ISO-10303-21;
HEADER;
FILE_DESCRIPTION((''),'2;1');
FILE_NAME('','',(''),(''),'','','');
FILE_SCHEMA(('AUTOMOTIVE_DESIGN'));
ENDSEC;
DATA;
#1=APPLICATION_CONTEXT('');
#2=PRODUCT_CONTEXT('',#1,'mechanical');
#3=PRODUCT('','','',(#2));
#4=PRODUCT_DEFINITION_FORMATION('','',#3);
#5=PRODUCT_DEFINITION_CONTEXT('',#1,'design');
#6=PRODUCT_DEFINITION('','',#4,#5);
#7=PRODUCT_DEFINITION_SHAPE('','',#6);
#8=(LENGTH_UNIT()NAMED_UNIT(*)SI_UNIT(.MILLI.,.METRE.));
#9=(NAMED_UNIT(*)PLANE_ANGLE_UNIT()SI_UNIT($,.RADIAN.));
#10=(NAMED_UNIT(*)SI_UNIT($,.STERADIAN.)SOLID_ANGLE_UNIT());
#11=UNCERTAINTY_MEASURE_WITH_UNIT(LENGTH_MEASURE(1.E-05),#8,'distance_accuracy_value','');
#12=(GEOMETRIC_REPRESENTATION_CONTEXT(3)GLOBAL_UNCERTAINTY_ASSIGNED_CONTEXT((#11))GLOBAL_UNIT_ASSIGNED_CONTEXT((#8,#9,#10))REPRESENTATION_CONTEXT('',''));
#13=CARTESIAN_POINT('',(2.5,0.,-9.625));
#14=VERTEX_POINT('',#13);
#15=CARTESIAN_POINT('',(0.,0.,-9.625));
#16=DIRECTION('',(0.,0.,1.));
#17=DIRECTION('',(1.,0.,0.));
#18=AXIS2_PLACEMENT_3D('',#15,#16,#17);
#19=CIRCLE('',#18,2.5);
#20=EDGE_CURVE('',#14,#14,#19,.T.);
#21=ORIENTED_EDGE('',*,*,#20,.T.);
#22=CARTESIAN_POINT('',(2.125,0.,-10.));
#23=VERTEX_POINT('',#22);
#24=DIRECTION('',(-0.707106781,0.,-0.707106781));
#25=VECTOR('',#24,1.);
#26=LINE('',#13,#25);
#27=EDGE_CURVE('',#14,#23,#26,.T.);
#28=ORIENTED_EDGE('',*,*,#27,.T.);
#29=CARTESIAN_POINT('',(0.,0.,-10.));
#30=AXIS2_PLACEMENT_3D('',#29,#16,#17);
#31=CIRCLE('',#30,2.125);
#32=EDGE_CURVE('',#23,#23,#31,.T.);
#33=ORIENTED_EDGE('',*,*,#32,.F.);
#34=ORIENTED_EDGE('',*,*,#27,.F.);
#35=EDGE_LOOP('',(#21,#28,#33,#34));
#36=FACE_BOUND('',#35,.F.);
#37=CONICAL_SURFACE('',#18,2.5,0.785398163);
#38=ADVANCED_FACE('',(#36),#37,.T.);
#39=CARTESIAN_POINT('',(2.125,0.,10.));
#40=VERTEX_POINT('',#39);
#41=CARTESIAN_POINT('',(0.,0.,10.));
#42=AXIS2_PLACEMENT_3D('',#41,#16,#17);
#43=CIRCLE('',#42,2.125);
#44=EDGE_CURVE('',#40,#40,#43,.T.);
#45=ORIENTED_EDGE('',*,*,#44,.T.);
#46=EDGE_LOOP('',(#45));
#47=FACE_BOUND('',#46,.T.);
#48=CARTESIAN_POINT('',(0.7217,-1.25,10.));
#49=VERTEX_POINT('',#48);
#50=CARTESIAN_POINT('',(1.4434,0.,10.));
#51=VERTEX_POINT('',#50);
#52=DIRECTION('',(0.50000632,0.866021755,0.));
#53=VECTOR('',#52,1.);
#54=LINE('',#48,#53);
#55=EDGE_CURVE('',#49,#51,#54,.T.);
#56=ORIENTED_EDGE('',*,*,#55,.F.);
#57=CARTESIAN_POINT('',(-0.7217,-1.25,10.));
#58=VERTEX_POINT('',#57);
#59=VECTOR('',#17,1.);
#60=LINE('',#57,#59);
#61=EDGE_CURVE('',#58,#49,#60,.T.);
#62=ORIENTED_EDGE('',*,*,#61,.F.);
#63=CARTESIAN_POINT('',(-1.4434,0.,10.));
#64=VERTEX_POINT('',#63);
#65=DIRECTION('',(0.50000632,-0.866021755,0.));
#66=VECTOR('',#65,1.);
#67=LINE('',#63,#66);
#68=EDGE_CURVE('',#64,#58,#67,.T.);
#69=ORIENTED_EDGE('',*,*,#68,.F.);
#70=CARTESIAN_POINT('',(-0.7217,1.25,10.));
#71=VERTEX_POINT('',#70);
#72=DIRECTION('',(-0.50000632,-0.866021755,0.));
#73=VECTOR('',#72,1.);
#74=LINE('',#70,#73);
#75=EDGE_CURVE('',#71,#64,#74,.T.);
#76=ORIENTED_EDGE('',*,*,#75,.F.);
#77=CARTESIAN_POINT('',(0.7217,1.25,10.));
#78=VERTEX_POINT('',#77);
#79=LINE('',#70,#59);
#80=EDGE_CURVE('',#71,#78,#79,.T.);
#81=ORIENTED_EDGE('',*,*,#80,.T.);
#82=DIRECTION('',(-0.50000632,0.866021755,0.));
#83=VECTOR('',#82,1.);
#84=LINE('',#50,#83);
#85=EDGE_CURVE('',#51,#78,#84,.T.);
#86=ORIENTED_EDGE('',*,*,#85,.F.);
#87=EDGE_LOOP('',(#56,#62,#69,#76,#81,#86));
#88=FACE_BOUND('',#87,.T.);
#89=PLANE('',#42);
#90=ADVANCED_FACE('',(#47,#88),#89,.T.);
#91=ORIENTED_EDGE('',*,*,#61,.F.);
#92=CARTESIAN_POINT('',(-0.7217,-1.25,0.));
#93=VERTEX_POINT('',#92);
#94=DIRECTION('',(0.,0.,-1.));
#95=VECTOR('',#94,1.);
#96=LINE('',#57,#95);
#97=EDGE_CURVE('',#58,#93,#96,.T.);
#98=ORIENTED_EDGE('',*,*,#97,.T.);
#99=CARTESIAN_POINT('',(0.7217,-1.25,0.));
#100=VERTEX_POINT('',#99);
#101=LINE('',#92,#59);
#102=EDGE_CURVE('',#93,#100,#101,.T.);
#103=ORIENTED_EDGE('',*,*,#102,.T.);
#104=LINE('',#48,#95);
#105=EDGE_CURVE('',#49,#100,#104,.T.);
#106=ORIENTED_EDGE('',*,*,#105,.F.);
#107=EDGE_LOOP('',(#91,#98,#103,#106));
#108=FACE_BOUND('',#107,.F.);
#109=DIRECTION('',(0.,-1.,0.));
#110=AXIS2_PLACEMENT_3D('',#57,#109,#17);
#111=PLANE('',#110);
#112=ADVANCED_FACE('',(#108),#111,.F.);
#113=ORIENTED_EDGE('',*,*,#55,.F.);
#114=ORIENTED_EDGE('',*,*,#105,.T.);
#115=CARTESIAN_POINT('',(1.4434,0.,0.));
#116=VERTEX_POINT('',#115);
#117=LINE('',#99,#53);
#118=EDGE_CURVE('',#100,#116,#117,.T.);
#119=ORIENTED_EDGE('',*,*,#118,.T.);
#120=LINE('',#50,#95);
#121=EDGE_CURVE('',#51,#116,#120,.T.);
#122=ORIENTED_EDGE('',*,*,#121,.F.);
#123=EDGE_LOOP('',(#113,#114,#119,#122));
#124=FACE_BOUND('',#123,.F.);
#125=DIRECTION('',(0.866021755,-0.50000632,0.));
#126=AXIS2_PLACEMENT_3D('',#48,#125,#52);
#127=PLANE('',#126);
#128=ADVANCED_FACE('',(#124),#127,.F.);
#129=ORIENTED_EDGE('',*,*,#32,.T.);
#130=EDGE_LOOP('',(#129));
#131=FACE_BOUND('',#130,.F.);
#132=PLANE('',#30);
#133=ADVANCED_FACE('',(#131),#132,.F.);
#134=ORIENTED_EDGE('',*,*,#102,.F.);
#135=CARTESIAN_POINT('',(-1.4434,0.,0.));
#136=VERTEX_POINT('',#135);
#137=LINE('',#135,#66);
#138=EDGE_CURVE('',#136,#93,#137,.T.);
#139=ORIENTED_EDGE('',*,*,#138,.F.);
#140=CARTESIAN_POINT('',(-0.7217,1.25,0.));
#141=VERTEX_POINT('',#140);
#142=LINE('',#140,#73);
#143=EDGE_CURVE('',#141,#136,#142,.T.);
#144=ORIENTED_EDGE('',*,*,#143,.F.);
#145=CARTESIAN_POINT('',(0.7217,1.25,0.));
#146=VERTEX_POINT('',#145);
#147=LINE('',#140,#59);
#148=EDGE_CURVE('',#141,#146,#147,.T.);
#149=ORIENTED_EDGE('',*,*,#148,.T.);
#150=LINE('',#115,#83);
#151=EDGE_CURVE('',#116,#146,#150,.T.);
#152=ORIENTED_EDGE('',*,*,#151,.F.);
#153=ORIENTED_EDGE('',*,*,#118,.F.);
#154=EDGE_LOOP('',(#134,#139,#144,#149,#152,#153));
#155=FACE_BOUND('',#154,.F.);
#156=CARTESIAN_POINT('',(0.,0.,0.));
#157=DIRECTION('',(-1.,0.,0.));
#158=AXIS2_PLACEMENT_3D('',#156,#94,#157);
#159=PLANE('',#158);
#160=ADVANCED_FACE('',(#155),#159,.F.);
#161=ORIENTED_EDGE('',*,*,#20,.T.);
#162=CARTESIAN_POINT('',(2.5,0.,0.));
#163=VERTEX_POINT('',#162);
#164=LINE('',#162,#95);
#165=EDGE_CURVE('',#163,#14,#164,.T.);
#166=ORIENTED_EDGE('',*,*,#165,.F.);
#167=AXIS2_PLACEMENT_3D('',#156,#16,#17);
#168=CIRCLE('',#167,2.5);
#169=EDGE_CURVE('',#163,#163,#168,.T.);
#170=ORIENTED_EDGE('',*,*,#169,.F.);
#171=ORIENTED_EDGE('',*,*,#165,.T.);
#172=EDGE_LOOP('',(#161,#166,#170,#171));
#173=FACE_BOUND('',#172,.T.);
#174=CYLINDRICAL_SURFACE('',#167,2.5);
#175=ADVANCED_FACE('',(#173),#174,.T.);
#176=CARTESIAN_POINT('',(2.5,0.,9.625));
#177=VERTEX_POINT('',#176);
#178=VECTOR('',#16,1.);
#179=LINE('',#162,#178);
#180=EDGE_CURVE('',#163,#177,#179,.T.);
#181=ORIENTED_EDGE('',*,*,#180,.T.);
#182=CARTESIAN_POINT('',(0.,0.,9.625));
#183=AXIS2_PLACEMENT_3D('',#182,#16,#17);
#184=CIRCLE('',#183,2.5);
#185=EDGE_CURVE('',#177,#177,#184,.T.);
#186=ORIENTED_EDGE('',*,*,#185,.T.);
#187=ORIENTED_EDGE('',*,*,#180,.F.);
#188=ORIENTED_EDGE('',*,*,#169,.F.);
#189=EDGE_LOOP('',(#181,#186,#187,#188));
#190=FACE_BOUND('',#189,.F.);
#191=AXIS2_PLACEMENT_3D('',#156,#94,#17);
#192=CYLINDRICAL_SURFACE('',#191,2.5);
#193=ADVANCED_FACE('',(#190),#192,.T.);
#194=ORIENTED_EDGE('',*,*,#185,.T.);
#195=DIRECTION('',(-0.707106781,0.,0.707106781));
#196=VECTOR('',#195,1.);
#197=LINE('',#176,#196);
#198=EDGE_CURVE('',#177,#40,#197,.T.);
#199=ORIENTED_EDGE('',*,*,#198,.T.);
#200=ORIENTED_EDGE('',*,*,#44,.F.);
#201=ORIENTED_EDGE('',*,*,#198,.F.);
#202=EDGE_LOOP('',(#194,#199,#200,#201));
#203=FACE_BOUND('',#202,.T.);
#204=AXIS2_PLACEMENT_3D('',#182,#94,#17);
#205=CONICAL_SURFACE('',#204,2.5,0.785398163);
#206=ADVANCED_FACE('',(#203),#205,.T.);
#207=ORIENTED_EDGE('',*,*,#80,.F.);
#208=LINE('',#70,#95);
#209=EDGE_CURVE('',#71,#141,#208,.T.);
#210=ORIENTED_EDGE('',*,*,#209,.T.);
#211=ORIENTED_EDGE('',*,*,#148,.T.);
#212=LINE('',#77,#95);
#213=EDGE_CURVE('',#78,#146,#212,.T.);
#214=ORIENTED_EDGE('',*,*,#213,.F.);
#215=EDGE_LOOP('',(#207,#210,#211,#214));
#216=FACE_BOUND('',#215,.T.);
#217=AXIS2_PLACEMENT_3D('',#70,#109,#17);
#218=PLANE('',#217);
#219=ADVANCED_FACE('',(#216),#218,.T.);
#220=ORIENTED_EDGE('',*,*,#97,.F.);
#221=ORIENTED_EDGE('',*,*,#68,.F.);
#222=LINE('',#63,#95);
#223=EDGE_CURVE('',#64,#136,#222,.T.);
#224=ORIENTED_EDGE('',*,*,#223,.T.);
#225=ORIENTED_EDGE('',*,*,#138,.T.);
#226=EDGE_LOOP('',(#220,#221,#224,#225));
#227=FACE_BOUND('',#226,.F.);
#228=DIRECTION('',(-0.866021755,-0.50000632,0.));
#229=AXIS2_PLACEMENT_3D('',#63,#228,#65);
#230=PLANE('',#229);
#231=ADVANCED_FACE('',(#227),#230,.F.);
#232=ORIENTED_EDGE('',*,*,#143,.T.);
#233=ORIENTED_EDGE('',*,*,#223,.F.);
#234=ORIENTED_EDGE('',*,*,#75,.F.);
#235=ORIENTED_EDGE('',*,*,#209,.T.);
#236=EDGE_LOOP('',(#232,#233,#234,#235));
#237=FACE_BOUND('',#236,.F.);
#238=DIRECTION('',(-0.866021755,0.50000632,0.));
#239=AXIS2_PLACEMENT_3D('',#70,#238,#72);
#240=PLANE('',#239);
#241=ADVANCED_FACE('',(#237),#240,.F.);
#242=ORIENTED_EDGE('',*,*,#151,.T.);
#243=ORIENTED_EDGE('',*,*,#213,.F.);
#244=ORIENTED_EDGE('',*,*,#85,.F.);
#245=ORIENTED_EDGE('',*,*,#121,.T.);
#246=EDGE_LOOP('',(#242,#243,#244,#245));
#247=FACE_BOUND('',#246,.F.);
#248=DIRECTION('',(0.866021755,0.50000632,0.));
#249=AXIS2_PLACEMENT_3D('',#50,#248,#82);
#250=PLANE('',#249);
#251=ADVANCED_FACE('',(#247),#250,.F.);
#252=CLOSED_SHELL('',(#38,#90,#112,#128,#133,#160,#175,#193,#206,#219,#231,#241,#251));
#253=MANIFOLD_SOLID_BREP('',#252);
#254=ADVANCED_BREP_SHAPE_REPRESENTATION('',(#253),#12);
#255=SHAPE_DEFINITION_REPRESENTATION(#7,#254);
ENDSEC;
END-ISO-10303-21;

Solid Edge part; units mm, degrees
sketch "Sketch1" plane through (0, 0, 0) normal (0, 0, 1) x (1, 0, 0)
  circle A0 centre (0, 0) radius 2.5
  dimension "D1" = 5
extrude "Protrusion1" add sketch "Sketch1" along normal mid plane 20
chamfer "Chamfer1" distance 0.375 angle 45 2 edges at (-2.5, 0, -10) (-2.5, 0, 10)
sketch "Sketch2" plane through (0, 0, 10) normal (0, 0, 1) x (1, 0, 0)
  line L0 (-0.7217, 1.25) -> (0.7217, 1.25)
  line L1 (1.4434, 0) -> (0.7217, 1.25)
  line L2 (0.7217, -1.25) -> (1.4434, 0)
  line L3 (-0.7217, -1.25) -> (0.7217, -1.25)
  line L4 (-1.4434, 0) -> (-0.7217, -1.25)
  line L5 (-0.7217, 1.25) -> (-1.4434, 0)
  dimension "D1" = 2.5
extrude "Cutout1" cut sketch "Sketch2" against normal blind 10
properties part number "24104626"
